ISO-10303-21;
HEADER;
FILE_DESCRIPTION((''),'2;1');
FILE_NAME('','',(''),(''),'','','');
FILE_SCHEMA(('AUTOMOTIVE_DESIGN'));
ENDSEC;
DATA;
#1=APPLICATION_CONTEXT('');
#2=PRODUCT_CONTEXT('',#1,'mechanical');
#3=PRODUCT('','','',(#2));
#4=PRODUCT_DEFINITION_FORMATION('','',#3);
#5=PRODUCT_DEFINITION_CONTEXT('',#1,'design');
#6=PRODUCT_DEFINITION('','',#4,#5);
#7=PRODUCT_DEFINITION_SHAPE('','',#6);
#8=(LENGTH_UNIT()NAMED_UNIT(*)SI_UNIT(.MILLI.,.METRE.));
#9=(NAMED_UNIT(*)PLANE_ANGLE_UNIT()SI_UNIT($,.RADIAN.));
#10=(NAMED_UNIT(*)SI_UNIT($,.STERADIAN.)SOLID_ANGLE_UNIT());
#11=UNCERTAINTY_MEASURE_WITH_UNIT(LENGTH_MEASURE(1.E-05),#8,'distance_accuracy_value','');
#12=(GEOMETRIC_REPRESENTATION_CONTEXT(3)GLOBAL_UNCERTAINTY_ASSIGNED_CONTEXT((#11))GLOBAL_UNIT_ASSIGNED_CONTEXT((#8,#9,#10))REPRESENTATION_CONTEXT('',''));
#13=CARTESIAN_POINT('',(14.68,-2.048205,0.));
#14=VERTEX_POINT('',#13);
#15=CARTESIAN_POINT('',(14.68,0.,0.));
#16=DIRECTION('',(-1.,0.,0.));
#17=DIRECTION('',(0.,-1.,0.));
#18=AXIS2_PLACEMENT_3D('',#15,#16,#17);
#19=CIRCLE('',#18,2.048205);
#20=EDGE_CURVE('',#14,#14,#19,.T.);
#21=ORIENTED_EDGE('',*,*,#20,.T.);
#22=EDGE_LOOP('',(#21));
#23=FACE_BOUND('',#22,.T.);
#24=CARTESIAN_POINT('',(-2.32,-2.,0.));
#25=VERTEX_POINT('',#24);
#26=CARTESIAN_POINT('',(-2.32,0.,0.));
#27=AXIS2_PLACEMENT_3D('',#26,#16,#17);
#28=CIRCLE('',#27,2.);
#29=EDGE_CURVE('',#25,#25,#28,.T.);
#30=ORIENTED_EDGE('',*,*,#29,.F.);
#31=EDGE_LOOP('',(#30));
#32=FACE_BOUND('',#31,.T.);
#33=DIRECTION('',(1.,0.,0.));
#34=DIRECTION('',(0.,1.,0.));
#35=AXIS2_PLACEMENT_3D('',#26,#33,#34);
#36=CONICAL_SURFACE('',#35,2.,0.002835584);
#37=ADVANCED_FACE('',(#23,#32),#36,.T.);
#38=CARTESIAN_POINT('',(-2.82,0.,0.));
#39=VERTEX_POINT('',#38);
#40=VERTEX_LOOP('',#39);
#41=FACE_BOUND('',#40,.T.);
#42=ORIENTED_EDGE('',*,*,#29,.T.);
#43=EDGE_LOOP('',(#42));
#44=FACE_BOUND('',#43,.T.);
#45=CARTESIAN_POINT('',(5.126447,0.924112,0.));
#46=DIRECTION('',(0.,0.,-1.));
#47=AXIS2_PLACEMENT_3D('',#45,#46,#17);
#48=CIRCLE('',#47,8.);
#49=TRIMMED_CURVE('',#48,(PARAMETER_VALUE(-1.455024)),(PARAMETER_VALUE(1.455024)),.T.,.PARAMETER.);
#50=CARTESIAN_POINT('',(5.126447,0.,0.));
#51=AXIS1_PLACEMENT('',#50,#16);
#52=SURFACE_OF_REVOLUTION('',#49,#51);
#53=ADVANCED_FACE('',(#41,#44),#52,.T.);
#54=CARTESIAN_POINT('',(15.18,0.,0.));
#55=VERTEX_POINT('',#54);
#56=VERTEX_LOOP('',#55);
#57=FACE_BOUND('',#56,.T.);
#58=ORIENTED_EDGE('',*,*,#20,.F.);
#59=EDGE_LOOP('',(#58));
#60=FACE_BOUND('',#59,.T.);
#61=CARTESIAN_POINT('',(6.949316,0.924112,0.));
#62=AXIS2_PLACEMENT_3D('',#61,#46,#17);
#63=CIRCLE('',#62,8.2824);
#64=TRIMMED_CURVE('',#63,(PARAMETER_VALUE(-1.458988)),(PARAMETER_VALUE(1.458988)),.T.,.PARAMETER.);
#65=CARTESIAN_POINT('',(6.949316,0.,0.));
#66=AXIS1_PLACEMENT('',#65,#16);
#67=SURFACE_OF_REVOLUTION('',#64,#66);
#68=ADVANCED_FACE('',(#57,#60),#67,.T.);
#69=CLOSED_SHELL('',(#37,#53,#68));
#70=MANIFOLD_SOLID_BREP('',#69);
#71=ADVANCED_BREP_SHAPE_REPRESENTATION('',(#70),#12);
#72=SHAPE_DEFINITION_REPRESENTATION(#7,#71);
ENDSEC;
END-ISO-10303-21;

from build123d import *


with BuildPart() as part:
    # 草图1 → Revolve 599 (revolve)
    with BuildSketch(Plane.XY):
        with BuildLine():
            Line((-2.82, 0), (15.18, 0))
            ThreePointArc((15.18, 0), (14.995439478, -1.040077362), (14.68, -2.048205053))
            Line((14.68, -2.048205053), (-2.32, -2))
            ThreePointArc((-2.32, -2), (-2.634693151, -1.016173288), (-2.82, 0))
        make_face()
    revolve(axis=Axis((0, 0, 0), (1, 0, 0)))


solid = part.part
